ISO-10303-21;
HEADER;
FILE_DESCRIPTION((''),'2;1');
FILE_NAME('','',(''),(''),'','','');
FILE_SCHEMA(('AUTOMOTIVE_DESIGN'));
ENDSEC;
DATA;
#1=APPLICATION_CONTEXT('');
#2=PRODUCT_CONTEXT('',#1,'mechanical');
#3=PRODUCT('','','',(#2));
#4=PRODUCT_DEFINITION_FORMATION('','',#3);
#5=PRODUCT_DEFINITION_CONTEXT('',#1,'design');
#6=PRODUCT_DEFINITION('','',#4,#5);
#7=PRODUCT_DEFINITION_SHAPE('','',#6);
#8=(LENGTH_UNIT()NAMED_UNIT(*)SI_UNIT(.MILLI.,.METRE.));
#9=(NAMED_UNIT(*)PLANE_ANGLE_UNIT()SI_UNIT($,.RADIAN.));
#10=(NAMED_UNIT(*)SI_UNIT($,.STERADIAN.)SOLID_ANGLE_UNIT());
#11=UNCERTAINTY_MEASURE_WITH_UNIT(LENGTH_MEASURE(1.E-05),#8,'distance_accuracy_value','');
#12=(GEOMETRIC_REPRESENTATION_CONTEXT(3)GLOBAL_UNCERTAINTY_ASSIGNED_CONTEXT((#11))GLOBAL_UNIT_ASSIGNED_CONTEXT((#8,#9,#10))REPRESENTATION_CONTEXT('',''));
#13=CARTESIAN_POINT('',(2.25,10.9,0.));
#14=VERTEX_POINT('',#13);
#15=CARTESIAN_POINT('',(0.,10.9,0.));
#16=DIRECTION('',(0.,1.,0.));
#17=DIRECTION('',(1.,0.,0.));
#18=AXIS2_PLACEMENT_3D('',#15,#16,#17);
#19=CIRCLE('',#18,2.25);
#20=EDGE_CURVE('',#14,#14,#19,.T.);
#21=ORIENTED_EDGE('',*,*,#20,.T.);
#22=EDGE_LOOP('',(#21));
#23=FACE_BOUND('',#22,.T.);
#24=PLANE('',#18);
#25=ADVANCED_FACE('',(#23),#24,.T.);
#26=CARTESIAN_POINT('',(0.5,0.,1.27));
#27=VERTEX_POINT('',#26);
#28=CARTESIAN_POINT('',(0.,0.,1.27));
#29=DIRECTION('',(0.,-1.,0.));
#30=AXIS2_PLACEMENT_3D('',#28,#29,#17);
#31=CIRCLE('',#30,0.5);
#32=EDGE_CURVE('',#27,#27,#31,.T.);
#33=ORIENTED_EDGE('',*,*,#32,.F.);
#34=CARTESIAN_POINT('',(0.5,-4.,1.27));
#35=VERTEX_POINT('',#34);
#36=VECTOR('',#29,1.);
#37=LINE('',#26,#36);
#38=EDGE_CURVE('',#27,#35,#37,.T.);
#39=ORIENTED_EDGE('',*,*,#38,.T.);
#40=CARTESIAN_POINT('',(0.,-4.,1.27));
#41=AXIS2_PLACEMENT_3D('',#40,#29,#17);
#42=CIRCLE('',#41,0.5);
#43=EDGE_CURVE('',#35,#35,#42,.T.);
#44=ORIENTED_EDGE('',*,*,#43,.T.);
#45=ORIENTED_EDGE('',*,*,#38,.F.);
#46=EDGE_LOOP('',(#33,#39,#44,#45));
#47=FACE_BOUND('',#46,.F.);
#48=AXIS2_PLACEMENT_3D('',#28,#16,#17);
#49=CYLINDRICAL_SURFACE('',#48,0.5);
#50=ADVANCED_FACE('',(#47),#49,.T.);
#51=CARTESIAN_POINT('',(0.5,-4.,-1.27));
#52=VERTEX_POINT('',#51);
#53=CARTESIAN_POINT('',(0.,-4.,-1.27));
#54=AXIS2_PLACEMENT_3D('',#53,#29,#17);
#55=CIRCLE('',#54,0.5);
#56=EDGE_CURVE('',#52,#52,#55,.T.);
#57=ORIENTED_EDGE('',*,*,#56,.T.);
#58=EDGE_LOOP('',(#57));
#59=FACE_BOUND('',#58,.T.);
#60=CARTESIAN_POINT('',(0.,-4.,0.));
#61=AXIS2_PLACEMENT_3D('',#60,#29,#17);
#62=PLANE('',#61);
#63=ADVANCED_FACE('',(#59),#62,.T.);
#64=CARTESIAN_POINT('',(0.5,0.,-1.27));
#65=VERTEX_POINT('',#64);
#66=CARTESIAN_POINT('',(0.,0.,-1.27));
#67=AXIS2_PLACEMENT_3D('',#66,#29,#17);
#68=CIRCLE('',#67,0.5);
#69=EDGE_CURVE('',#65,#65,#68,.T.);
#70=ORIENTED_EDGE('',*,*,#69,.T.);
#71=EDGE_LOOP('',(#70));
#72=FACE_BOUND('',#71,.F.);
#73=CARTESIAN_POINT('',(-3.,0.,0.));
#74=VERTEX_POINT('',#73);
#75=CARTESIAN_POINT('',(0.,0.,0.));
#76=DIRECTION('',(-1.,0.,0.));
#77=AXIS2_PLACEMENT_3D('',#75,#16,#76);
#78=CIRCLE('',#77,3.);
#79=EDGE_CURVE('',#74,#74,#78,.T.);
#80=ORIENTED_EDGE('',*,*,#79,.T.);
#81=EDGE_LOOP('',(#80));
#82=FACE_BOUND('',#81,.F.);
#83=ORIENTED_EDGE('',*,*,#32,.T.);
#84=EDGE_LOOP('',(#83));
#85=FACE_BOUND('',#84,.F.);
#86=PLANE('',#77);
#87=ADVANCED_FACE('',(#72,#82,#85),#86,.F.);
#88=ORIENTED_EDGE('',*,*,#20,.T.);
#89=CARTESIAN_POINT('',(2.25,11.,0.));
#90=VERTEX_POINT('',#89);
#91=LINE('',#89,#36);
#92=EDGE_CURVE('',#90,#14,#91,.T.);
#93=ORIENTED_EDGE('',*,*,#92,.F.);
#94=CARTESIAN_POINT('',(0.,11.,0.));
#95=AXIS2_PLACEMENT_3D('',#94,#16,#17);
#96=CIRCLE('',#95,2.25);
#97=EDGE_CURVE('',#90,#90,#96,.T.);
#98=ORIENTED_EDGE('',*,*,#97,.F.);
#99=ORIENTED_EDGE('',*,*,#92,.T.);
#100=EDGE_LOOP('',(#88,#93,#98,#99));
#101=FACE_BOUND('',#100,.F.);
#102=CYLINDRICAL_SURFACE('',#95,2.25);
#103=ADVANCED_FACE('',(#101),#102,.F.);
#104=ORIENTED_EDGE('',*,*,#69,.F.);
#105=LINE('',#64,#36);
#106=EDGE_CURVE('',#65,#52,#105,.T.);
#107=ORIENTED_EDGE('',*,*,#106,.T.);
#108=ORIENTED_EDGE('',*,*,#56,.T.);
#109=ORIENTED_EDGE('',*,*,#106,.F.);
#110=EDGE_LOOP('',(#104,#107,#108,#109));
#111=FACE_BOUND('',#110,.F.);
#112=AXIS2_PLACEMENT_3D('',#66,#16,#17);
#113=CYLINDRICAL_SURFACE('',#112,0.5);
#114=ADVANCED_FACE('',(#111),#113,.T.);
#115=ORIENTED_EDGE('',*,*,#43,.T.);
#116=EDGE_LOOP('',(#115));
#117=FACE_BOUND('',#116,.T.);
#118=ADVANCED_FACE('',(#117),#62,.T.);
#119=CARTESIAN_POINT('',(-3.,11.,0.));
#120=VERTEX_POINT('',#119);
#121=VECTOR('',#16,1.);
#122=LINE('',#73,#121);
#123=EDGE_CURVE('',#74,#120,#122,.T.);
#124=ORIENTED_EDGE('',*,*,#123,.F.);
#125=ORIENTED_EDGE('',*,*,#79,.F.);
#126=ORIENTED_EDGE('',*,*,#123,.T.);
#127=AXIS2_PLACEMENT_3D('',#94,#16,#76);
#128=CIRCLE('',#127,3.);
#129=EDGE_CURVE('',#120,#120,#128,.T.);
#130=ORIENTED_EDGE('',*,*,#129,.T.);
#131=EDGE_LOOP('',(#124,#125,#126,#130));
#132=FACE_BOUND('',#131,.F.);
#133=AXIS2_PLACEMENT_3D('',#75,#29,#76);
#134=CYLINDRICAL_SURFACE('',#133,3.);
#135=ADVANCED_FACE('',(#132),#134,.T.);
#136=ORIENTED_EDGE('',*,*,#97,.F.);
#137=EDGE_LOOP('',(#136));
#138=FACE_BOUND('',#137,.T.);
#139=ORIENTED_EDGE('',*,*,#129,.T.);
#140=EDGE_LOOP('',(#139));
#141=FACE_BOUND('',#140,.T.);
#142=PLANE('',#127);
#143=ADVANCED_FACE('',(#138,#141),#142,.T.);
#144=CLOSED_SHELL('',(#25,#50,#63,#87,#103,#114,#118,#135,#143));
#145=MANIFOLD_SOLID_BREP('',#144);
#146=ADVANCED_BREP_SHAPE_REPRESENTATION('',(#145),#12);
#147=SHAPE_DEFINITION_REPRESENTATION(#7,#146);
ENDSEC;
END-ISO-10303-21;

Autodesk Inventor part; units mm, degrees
sketch "Skizze3" plane through (0, 0, 0) normal (0, 1, 0) x (-1, 0, 0)
  circle A0 centre (0, 0) radius 3
  dimension "Durchmesser" = 6
extrude "Extrusion2" add sketch "Skizze3" along normal blind 11
sketch "Skizze4" plane through (0, 0, 0) normal (0, -1, 0) x (1, 0, 0)
  circle A0 centre (0, 1.27) radius 0.5
  circle A1 centre (0, -1.27) radius 0.5
  point P0 (0, 0)
  dimension "d6" = 1
  dimension "d7" = 1
  dimension "BeinAbstand" = 2.54
  dimension "BeinZuMitte" = 1.27
extrude "Extrusion3" add sketch "Skizze4" along normal blind 4
ref_plane "Arbeitsebene1" through (-1.5, 0, 0) normal (1, 0, 0) x (0, 1, 0)
ref_plane "Arbeitsebene2" through (1.5, 0, 0) normal (1, 0, 0) x (0, 1, 0)
split_face "Trennen1"
split_face "Trennen2"
ref_plane "Arbeitsebene3" through (-0.5, 0, 0) normal (1, 0, 0) x (0, 1, 0)
ref_plane "Arbeitsebene4" through (0.5, 0, 0) normal (1, 0, 0) x (0, 1, 0)
ref_plane "Arbeitsebene5" through (0, 9, 0) normal (0, 1, 0) x (1, 0, 0)
ref_plane "Arbeitsebene6" through (0, 6.5, 0) normal (0, 1, 0) x (1, 0, 0)
sketch "Skizze5" plane through (0, 11, 0) normal (0, 1, 0) x (1, 0, 0)
  circle A0 centre (0, 0) radius 2.25
  dimension "d21" = 4.5
extrude "Extrusion4" cut sketch "Skizze5" against normal blind 0.1
split_face "Trennen3"
split_face "Trennen4"
split_face "Trennen7"
split_face "Trennen8"
ref_plane "Arbeitsebene9" through (0, 3.5, 0) normal (0, -1, 0) x (1, 0, 0)
ref_plane "Arbeitsebene10" through (0, 1, 0) normal (0, -1, 0) x (1, 0, 0)
split_face "Trennen9"
split_face "Trennen10"
equation "\"BeinZuMitte\" = 0.5 * BeinAbstand"
properties part number "Kondensator"
